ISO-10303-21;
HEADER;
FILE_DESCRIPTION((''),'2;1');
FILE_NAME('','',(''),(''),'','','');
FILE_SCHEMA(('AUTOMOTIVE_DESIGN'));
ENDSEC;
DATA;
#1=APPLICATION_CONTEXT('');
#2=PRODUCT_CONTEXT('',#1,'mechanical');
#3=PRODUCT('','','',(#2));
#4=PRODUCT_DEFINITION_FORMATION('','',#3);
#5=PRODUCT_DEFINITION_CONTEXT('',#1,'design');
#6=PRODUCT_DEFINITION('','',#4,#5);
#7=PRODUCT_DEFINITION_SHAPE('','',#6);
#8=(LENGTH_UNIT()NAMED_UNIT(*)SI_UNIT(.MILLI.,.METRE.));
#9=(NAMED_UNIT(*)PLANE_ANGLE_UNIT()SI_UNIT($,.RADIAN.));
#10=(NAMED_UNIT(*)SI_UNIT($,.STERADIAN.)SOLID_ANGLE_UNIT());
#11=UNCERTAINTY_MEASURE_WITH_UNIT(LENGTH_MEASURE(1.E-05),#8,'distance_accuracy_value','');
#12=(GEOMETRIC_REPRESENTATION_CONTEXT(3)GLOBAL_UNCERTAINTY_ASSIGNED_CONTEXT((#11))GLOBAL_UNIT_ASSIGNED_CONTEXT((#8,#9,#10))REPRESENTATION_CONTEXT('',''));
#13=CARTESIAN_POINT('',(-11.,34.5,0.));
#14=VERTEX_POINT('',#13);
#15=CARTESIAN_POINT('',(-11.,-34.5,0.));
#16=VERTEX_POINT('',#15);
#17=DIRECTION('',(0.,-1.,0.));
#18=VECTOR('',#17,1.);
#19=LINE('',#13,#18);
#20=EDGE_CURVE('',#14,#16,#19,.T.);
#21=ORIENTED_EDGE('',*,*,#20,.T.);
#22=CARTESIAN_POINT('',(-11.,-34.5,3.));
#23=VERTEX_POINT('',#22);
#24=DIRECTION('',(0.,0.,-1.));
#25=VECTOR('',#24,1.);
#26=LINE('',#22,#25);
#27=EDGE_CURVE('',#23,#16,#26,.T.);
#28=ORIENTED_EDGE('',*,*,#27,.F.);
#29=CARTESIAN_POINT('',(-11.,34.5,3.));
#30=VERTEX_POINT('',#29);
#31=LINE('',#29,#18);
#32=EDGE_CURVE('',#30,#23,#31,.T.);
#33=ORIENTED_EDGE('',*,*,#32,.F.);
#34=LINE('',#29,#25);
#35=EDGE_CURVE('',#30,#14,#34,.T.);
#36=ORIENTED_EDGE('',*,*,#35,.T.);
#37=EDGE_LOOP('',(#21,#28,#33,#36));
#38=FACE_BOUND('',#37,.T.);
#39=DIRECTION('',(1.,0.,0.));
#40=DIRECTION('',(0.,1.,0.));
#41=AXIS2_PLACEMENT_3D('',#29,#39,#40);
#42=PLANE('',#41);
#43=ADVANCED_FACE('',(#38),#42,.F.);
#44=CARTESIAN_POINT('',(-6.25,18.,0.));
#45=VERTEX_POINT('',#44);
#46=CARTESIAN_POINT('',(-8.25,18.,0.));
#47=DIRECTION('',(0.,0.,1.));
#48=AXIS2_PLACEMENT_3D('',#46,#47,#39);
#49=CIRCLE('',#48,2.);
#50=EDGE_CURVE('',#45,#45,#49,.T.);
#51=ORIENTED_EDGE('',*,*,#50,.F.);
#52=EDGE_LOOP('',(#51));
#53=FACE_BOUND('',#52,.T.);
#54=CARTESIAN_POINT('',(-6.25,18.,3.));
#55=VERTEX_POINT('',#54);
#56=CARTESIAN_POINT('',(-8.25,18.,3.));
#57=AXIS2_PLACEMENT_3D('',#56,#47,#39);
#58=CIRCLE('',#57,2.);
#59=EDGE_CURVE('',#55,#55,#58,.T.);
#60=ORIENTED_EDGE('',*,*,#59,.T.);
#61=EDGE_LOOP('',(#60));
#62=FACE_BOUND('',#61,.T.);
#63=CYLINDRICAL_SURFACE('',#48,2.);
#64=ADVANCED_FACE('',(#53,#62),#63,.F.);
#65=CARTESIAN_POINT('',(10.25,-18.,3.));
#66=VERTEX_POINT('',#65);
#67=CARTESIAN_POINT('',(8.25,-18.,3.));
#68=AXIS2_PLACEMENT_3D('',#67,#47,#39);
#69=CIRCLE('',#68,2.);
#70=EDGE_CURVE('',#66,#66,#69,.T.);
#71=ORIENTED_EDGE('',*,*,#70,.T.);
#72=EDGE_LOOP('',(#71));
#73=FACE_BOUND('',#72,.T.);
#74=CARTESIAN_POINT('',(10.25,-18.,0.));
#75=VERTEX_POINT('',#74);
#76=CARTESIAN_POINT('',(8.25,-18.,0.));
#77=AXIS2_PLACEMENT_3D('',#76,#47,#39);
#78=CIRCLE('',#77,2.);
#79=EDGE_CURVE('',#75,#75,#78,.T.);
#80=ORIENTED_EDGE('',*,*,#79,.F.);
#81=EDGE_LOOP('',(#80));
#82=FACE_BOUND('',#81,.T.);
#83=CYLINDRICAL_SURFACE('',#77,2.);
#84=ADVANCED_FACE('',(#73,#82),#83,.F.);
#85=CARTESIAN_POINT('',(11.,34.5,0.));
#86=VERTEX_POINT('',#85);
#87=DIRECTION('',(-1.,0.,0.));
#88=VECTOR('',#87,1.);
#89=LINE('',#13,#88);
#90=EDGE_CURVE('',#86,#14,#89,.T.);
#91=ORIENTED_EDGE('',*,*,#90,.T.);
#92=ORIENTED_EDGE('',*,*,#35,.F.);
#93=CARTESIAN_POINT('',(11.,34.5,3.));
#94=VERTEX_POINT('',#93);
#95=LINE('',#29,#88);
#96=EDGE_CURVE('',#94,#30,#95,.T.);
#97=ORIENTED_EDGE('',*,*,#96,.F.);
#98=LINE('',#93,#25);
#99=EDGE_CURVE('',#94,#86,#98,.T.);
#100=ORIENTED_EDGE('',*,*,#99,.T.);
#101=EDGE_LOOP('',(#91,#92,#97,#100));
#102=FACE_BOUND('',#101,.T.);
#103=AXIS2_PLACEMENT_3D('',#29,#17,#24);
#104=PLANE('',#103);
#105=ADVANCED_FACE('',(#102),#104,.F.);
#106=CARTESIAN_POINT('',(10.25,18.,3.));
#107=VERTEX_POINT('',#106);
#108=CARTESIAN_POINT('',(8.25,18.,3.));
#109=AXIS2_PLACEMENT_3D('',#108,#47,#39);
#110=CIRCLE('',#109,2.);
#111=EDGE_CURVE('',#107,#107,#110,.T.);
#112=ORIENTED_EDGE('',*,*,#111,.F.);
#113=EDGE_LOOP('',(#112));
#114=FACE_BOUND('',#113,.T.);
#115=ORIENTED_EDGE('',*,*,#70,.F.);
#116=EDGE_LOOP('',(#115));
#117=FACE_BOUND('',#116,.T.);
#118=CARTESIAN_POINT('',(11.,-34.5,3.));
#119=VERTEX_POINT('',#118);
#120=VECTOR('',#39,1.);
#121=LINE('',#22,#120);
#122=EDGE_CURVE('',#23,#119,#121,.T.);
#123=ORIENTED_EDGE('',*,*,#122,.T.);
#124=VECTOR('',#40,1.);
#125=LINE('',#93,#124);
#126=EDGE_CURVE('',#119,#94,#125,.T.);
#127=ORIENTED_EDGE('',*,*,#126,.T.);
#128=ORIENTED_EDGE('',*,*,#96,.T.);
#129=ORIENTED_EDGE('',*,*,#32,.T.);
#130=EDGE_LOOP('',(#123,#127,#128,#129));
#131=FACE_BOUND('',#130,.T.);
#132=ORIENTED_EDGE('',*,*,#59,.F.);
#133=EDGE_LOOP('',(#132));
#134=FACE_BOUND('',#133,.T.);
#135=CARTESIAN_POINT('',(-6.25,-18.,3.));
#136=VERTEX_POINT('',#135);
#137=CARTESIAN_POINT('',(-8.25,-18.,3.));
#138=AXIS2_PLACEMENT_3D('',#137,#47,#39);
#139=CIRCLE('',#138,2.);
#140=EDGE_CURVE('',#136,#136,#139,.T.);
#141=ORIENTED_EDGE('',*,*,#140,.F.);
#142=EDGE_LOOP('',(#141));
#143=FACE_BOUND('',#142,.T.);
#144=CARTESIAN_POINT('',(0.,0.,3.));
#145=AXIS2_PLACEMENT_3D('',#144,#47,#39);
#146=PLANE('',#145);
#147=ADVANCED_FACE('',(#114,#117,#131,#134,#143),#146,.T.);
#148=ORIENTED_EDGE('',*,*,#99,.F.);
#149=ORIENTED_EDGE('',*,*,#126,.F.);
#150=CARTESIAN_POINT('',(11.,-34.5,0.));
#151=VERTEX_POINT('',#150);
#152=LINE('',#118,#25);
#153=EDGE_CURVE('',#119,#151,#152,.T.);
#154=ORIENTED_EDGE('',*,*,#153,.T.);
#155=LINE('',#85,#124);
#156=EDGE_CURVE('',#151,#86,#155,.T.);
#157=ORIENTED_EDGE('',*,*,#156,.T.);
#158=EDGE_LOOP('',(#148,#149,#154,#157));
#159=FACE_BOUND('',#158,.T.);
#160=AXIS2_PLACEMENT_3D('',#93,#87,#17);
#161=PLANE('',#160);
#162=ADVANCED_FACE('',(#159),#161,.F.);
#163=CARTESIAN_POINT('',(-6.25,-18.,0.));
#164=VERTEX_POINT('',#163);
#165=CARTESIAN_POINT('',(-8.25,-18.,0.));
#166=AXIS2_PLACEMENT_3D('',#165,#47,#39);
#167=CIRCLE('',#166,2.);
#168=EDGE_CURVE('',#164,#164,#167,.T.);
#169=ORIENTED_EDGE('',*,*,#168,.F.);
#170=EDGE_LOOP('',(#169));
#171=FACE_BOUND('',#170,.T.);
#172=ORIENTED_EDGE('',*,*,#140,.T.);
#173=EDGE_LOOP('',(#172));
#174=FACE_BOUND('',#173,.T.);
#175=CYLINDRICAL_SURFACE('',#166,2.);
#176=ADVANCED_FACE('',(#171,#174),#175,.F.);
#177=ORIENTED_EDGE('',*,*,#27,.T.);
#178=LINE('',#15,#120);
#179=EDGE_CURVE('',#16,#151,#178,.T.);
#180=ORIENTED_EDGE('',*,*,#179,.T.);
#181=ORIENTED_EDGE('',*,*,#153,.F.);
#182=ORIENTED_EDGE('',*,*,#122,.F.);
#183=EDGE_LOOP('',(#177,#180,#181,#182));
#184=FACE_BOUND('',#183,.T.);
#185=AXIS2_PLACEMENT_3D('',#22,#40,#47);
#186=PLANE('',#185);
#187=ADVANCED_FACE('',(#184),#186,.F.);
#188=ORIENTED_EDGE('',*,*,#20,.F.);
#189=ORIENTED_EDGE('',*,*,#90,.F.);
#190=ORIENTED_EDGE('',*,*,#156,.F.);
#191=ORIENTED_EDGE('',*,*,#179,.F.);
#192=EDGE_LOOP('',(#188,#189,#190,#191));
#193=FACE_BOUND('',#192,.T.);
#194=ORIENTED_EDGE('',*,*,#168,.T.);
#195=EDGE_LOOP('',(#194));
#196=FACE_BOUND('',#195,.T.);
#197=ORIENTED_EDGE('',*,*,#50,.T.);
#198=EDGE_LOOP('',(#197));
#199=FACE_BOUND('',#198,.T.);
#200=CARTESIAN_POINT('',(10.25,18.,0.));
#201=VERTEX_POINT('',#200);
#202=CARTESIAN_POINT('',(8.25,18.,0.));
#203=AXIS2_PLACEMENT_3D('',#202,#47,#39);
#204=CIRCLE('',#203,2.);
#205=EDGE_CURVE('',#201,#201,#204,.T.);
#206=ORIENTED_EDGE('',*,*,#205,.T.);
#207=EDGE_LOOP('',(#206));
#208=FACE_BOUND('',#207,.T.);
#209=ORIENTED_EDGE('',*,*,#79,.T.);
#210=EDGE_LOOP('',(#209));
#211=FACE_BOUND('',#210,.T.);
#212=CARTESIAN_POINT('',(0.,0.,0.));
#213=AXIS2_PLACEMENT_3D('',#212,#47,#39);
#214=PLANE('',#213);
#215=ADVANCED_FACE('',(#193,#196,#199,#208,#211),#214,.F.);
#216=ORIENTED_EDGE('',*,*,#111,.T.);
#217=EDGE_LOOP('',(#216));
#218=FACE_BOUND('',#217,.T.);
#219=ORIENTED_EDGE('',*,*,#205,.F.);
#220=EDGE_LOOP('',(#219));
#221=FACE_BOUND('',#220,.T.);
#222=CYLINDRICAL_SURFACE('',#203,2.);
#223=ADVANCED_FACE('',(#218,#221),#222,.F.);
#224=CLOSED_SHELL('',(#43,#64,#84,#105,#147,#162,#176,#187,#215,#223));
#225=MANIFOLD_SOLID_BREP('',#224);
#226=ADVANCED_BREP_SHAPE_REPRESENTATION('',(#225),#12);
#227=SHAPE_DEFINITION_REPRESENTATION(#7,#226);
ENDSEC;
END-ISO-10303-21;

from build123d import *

# Parameters (mm, degrees)
SKETCH_1_W          = 22
SKETCH_1_H          = 69
EXTRUDE_1_DEPTH     = 3
SKETCH_2_R          = 2
CUT_EXTRUDE_1_DEPTH = 37.335244598


with BuildPart() as part:
    # 草图1 → 凸台-拉伸1 (new body)
    with BuildSketch(Plane.XY):
        Rectangle(SKETCH_1_W, SKETCH_1_H)
    extrude(amount=EXTRUDE_1_DEPTH)

    # 草图2 → 切除-拉伸1 (cut, through all)
    with BuildSketch(Plane.XY.offset(3)):
        with Locations((-8.25, 18)):
            Circle(SKETCH_2_R)
        with Locations((8.25, 18)):
            Circle(SKETCH_2_R)
        with Locations((8.25, -18)):
            Circle(SKETCH_2_R)
        with Locations((-8.25, -18)):
            Circle(SKETCH_2_R)
    extrude(amount=-CUT_EXTRUDE_1_DEPTH, mode=Mode.SUBTRACT)


solid = part.part
